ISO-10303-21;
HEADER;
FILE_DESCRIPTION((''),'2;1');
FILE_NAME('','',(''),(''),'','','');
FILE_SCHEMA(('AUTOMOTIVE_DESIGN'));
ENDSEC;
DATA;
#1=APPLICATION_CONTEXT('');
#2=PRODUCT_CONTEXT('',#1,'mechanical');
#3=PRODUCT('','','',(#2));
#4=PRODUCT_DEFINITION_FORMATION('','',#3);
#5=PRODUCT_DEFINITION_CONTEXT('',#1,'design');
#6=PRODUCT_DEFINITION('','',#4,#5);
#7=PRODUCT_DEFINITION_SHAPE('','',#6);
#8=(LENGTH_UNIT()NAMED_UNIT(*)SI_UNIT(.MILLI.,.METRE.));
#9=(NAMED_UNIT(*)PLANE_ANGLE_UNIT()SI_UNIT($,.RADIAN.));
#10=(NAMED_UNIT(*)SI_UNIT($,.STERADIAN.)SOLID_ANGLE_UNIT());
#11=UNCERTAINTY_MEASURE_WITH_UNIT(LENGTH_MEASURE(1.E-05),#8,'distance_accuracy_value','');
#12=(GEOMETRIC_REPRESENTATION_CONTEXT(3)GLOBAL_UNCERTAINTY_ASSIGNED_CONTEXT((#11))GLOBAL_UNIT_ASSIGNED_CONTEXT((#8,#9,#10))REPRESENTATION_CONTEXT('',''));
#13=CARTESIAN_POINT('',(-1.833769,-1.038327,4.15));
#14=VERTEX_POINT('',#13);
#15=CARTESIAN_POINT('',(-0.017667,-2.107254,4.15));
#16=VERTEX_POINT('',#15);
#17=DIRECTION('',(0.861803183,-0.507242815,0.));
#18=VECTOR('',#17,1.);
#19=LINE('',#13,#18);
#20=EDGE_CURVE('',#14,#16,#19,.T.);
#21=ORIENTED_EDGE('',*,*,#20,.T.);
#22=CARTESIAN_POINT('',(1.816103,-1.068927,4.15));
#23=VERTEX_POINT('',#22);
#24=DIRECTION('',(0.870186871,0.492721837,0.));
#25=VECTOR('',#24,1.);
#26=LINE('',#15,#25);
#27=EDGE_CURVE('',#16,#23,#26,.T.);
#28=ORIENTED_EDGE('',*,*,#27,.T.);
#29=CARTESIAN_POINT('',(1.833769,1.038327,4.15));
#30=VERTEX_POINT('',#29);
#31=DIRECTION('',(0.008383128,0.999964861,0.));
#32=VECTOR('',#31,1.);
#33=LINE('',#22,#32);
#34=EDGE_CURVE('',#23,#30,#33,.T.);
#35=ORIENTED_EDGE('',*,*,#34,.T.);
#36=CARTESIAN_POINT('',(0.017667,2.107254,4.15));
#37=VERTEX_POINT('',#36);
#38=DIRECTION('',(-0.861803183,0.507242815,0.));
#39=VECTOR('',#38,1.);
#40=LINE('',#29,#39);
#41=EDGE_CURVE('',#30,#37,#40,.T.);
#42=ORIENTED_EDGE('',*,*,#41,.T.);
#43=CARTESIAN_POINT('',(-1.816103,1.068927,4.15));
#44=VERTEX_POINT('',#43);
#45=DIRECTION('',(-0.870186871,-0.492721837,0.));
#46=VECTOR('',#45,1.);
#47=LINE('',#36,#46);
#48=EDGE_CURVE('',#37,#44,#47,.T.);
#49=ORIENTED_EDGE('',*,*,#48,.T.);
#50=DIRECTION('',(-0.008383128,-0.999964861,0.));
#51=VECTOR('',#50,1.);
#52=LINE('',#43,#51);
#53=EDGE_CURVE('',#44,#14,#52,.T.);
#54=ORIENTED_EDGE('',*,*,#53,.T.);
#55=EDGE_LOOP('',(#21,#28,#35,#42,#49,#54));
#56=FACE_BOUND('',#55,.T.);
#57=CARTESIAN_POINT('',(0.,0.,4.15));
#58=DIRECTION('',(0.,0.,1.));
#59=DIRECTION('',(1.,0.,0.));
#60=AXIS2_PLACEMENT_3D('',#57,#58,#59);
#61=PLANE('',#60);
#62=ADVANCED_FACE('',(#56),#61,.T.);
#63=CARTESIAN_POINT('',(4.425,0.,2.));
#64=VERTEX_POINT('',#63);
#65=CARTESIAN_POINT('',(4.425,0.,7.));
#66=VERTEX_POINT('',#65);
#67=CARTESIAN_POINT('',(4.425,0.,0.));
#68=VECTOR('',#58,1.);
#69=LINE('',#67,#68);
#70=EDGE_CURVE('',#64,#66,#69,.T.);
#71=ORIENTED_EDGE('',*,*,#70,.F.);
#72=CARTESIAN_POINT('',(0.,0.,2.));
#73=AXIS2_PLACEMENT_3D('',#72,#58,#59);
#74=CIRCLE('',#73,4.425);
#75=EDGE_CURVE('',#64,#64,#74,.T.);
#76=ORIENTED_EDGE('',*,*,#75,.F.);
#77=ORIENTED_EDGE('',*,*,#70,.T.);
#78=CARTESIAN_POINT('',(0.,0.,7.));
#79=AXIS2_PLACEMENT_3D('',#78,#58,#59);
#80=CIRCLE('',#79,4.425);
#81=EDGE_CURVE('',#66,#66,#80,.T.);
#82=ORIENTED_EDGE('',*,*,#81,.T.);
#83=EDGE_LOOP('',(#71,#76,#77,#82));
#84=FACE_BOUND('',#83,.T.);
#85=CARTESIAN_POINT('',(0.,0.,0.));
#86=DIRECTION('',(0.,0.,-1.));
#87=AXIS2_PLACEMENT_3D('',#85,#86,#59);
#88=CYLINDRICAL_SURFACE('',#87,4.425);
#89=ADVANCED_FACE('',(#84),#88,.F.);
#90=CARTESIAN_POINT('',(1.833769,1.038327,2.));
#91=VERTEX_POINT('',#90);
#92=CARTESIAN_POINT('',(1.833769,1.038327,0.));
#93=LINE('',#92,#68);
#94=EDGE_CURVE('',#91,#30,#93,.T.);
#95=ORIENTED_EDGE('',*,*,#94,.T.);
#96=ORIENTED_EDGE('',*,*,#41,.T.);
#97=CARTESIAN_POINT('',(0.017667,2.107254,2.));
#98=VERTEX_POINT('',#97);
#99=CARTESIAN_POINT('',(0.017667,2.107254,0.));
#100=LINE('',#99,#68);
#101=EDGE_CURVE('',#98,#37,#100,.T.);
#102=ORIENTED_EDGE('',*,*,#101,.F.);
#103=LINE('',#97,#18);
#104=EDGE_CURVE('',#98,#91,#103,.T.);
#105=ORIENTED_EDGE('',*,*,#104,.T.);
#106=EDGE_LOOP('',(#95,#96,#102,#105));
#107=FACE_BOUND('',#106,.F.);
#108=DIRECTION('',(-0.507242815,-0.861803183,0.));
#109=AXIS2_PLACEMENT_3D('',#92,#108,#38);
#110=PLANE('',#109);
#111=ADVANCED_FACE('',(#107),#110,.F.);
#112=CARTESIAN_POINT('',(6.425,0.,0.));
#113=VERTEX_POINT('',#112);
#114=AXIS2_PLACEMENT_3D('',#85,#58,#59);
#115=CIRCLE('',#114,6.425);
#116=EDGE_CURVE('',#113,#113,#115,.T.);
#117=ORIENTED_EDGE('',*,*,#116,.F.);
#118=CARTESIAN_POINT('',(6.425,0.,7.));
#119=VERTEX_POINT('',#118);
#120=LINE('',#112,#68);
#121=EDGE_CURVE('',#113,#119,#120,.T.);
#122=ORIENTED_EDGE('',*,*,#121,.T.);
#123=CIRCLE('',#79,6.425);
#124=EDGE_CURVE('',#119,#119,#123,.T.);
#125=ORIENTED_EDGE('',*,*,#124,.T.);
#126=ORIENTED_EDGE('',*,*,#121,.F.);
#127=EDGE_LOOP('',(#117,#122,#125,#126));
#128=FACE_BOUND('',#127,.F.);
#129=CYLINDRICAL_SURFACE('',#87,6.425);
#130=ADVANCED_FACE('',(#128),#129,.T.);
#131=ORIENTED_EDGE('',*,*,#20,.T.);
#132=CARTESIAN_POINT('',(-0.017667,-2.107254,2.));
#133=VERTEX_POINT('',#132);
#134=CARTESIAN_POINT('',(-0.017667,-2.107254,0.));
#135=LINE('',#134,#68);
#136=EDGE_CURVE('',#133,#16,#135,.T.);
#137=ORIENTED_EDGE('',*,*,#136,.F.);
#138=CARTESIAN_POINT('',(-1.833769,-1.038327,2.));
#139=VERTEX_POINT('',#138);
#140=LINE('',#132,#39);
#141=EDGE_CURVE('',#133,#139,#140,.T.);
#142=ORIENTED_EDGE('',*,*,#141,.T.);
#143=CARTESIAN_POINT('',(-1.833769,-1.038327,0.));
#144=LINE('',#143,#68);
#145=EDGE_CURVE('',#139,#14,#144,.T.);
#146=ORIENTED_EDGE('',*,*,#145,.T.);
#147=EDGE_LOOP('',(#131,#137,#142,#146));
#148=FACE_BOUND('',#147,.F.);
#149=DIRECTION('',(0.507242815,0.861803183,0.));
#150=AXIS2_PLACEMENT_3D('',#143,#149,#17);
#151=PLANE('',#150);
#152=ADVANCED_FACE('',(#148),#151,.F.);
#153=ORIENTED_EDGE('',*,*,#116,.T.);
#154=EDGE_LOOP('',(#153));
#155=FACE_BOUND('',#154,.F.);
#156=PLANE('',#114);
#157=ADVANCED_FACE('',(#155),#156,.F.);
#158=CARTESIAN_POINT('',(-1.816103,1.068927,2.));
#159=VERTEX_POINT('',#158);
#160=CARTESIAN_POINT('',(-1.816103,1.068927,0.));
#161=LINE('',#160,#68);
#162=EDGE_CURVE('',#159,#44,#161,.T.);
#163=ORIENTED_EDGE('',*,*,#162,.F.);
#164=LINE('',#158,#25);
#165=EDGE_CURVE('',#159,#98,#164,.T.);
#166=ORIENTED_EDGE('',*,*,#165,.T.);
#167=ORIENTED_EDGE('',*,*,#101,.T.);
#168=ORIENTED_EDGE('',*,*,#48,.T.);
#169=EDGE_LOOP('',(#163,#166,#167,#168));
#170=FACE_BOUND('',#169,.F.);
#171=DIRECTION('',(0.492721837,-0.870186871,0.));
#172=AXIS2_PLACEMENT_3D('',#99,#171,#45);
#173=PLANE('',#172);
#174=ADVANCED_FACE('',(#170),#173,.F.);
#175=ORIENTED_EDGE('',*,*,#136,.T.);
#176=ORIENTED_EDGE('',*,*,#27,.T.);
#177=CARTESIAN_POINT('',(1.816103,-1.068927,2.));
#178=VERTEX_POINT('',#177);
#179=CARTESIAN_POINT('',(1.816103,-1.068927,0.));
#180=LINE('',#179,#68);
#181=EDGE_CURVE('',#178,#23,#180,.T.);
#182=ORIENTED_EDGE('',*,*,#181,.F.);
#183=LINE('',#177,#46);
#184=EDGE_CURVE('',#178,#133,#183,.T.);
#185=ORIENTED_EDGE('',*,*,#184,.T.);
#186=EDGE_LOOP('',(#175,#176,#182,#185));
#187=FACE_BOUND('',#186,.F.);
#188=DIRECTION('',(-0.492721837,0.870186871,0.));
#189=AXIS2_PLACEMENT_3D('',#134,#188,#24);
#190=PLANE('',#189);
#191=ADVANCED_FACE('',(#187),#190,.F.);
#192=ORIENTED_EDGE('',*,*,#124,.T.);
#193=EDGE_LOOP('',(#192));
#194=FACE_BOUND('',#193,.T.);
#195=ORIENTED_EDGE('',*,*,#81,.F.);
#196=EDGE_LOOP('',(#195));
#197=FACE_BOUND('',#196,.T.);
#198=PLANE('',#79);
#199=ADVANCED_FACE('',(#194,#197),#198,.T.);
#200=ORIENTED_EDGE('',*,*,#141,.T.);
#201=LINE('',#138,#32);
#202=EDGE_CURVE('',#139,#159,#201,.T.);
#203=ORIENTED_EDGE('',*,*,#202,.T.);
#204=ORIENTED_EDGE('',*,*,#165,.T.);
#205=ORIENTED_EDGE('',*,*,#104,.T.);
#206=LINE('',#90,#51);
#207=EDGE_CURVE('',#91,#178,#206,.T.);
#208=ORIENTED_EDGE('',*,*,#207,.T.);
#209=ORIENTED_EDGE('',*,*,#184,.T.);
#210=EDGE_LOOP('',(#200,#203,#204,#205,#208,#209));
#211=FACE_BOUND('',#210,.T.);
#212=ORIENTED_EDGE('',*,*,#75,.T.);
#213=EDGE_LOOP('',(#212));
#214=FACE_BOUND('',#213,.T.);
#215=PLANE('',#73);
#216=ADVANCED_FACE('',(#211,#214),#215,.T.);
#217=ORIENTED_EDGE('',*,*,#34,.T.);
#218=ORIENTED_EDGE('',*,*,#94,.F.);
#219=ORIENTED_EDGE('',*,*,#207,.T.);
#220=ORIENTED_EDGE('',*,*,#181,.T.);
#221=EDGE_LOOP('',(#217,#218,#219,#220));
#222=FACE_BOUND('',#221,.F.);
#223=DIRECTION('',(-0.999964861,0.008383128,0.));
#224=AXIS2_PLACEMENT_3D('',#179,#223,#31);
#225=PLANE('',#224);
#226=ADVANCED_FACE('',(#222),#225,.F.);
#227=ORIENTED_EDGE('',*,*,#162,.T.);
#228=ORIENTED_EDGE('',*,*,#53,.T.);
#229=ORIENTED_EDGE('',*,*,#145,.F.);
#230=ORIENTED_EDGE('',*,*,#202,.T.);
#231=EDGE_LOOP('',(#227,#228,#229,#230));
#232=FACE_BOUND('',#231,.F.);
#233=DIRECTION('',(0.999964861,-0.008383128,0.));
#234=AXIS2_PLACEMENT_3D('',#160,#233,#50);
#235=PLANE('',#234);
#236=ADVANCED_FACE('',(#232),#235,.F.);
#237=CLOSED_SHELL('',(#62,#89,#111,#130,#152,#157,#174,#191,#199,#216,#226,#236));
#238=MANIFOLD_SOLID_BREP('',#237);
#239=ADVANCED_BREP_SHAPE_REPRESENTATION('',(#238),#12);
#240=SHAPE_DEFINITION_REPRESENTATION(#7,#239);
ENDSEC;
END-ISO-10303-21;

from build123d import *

# Parameters (mm, degrees)
F0_R     = 4.425
F1_DEPTH = 2
F0_R_2   = 6.425
F2_DEPTH = 7
F3_DEPTH = 4.15


with BuildPart() as f1:
    # F0 (on Top) → F1 (new body)
    with BuildSketch(Plane.XY):
        Circle(F0_R)
        Polygon((1.816103, -1.068927), (-0.017667, -2.107254), (-1.833769, -1.038327), (-1.816103, 1.068927), (0.017667, 2.107254), (1.833769, 1.038327), align=None, mode=Mode.SUBTRACT)
    extrude(amount=F1_DEPTH)

    # F0 (on Top) → F2 (join)
    with BuildSketch(Plane.XY):
        Circle(F0_R_2)
        Circle(F0_R, mode=Mode.SUBTRACT)
    extrude(amount=F2_DEPTH)

    # F0 (on Top) → F3 (join)
    with BuildSketch(Plane.XY):
        Polygon((-1.833769, -1.038327), (-0.017667, -2.107254), (1.816103, -1.068927), (1.833769, 1.038327), (0.017667, 2.107254), (-1.816103, 1.068927), align=None)
    extrude(amount=F3_DEPTH)


solid = f1.part
